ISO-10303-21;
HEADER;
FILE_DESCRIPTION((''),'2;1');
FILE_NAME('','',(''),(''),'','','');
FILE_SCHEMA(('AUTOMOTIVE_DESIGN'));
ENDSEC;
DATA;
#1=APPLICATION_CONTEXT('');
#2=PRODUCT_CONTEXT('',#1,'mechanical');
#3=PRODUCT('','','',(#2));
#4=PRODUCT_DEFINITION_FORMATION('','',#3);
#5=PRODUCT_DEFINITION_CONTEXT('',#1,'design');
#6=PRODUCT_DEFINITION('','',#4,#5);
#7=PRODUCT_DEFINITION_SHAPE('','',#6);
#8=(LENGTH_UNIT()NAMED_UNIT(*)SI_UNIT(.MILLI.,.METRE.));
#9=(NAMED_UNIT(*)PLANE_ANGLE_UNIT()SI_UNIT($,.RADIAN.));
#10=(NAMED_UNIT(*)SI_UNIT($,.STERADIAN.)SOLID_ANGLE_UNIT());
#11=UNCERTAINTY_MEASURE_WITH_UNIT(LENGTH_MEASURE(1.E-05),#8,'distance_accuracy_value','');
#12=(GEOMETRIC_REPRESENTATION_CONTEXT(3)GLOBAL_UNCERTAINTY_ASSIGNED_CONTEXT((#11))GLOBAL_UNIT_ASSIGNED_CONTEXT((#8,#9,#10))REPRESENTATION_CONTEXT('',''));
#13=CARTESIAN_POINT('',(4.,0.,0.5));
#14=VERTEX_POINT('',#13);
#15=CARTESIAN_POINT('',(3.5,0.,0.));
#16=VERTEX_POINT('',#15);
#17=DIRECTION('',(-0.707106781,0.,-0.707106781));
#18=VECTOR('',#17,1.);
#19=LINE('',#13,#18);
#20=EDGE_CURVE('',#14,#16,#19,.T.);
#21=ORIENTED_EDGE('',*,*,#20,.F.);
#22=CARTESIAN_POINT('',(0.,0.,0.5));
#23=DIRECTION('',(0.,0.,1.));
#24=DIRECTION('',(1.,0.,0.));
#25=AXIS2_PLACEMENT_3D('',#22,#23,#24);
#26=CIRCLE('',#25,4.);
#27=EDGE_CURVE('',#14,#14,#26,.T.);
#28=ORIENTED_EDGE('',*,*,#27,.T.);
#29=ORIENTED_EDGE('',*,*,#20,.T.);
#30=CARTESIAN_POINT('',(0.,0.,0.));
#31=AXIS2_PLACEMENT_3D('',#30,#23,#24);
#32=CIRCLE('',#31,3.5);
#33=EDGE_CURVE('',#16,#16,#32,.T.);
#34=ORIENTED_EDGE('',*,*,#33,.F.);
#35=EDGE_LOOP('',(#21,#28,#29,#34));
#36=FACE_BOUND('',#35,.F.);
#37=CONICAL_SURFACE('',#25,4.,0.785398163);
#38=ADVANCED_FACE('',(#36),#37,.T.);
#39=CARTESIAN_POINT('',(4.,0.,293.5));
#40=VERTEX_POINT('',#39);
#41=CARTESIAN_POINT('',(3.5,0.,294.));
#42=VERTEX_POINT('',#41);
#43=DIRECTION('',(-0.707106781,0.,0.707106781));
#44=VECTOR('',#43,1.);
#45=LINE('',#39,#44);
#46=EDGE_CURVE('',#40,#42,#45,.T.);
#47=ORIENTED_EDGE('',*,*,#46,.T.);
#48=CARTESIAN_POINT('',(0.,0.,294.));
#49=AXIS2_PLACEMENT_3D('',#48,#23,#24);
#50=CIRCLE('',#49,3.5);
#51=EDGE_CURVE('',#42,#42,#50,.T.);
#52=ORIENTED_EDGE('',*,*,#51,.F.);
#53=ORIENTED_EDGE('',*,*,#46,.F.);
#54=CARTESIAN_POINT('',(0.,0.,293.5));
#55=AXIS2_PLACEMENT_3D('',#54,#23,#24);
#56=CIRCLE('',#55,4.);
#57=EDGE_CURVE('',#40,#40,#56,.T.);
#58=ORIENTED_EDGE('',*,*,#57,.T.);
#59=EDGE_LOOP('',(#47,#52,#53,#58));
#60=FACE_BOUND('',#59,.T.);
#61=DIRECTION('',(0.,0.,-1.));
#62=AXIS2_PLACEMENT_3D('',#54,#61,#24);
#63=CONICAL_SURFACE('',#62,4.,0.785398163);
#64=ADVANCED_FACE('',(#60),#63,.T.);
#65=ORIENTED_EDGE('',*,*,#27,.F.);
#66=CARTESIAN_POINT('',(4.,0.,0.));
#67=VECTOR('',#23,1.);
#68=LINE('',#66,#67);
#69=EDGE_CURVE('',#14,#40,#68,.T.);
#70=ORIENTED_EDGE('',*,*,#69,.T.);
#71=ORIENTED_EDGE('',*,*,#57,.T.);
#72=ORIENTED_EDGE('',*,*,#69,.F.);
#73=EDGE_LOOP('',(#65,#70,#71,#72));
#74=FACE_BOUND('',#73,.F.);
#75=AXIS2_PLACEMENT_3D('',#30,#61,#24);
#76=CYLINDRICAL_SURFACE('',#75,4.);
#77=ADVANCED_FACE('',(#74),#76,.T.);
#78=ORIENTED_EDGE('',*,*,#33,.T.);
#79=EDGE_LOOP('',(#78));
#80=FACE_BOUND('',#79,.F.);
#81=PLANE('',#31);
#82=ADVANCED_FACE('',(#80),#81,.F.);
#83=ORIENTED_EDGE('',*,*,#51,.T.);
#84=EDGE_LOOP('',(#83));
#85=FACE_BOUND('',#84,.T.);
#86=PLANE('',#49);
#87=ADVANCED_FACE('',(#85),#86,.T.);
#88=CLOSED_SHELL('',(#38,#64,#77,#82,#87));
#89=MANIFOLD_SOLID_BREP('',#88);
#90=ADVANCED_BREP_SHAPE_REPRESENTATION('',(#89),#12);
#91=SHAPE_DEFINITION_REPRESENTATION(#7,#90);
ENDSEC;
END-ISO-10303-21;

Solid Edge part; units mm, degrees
sketch "Sketch1" plane through (0, 0, 0) normal (0, 0, 1) x (1, 0, 0)
  circle A0 centre (0, 0) radius 4
extrude "Protrusion1" add sketch "Sketch1" along normal blind 294
cosmetic_thread "Thread1" size "M8"
chamfer "Chamfer_1" distance 0.5 angle 45 2 edges at (-4, 0, 0) (-4, 0, 294)
properties material "Stainless steel"
